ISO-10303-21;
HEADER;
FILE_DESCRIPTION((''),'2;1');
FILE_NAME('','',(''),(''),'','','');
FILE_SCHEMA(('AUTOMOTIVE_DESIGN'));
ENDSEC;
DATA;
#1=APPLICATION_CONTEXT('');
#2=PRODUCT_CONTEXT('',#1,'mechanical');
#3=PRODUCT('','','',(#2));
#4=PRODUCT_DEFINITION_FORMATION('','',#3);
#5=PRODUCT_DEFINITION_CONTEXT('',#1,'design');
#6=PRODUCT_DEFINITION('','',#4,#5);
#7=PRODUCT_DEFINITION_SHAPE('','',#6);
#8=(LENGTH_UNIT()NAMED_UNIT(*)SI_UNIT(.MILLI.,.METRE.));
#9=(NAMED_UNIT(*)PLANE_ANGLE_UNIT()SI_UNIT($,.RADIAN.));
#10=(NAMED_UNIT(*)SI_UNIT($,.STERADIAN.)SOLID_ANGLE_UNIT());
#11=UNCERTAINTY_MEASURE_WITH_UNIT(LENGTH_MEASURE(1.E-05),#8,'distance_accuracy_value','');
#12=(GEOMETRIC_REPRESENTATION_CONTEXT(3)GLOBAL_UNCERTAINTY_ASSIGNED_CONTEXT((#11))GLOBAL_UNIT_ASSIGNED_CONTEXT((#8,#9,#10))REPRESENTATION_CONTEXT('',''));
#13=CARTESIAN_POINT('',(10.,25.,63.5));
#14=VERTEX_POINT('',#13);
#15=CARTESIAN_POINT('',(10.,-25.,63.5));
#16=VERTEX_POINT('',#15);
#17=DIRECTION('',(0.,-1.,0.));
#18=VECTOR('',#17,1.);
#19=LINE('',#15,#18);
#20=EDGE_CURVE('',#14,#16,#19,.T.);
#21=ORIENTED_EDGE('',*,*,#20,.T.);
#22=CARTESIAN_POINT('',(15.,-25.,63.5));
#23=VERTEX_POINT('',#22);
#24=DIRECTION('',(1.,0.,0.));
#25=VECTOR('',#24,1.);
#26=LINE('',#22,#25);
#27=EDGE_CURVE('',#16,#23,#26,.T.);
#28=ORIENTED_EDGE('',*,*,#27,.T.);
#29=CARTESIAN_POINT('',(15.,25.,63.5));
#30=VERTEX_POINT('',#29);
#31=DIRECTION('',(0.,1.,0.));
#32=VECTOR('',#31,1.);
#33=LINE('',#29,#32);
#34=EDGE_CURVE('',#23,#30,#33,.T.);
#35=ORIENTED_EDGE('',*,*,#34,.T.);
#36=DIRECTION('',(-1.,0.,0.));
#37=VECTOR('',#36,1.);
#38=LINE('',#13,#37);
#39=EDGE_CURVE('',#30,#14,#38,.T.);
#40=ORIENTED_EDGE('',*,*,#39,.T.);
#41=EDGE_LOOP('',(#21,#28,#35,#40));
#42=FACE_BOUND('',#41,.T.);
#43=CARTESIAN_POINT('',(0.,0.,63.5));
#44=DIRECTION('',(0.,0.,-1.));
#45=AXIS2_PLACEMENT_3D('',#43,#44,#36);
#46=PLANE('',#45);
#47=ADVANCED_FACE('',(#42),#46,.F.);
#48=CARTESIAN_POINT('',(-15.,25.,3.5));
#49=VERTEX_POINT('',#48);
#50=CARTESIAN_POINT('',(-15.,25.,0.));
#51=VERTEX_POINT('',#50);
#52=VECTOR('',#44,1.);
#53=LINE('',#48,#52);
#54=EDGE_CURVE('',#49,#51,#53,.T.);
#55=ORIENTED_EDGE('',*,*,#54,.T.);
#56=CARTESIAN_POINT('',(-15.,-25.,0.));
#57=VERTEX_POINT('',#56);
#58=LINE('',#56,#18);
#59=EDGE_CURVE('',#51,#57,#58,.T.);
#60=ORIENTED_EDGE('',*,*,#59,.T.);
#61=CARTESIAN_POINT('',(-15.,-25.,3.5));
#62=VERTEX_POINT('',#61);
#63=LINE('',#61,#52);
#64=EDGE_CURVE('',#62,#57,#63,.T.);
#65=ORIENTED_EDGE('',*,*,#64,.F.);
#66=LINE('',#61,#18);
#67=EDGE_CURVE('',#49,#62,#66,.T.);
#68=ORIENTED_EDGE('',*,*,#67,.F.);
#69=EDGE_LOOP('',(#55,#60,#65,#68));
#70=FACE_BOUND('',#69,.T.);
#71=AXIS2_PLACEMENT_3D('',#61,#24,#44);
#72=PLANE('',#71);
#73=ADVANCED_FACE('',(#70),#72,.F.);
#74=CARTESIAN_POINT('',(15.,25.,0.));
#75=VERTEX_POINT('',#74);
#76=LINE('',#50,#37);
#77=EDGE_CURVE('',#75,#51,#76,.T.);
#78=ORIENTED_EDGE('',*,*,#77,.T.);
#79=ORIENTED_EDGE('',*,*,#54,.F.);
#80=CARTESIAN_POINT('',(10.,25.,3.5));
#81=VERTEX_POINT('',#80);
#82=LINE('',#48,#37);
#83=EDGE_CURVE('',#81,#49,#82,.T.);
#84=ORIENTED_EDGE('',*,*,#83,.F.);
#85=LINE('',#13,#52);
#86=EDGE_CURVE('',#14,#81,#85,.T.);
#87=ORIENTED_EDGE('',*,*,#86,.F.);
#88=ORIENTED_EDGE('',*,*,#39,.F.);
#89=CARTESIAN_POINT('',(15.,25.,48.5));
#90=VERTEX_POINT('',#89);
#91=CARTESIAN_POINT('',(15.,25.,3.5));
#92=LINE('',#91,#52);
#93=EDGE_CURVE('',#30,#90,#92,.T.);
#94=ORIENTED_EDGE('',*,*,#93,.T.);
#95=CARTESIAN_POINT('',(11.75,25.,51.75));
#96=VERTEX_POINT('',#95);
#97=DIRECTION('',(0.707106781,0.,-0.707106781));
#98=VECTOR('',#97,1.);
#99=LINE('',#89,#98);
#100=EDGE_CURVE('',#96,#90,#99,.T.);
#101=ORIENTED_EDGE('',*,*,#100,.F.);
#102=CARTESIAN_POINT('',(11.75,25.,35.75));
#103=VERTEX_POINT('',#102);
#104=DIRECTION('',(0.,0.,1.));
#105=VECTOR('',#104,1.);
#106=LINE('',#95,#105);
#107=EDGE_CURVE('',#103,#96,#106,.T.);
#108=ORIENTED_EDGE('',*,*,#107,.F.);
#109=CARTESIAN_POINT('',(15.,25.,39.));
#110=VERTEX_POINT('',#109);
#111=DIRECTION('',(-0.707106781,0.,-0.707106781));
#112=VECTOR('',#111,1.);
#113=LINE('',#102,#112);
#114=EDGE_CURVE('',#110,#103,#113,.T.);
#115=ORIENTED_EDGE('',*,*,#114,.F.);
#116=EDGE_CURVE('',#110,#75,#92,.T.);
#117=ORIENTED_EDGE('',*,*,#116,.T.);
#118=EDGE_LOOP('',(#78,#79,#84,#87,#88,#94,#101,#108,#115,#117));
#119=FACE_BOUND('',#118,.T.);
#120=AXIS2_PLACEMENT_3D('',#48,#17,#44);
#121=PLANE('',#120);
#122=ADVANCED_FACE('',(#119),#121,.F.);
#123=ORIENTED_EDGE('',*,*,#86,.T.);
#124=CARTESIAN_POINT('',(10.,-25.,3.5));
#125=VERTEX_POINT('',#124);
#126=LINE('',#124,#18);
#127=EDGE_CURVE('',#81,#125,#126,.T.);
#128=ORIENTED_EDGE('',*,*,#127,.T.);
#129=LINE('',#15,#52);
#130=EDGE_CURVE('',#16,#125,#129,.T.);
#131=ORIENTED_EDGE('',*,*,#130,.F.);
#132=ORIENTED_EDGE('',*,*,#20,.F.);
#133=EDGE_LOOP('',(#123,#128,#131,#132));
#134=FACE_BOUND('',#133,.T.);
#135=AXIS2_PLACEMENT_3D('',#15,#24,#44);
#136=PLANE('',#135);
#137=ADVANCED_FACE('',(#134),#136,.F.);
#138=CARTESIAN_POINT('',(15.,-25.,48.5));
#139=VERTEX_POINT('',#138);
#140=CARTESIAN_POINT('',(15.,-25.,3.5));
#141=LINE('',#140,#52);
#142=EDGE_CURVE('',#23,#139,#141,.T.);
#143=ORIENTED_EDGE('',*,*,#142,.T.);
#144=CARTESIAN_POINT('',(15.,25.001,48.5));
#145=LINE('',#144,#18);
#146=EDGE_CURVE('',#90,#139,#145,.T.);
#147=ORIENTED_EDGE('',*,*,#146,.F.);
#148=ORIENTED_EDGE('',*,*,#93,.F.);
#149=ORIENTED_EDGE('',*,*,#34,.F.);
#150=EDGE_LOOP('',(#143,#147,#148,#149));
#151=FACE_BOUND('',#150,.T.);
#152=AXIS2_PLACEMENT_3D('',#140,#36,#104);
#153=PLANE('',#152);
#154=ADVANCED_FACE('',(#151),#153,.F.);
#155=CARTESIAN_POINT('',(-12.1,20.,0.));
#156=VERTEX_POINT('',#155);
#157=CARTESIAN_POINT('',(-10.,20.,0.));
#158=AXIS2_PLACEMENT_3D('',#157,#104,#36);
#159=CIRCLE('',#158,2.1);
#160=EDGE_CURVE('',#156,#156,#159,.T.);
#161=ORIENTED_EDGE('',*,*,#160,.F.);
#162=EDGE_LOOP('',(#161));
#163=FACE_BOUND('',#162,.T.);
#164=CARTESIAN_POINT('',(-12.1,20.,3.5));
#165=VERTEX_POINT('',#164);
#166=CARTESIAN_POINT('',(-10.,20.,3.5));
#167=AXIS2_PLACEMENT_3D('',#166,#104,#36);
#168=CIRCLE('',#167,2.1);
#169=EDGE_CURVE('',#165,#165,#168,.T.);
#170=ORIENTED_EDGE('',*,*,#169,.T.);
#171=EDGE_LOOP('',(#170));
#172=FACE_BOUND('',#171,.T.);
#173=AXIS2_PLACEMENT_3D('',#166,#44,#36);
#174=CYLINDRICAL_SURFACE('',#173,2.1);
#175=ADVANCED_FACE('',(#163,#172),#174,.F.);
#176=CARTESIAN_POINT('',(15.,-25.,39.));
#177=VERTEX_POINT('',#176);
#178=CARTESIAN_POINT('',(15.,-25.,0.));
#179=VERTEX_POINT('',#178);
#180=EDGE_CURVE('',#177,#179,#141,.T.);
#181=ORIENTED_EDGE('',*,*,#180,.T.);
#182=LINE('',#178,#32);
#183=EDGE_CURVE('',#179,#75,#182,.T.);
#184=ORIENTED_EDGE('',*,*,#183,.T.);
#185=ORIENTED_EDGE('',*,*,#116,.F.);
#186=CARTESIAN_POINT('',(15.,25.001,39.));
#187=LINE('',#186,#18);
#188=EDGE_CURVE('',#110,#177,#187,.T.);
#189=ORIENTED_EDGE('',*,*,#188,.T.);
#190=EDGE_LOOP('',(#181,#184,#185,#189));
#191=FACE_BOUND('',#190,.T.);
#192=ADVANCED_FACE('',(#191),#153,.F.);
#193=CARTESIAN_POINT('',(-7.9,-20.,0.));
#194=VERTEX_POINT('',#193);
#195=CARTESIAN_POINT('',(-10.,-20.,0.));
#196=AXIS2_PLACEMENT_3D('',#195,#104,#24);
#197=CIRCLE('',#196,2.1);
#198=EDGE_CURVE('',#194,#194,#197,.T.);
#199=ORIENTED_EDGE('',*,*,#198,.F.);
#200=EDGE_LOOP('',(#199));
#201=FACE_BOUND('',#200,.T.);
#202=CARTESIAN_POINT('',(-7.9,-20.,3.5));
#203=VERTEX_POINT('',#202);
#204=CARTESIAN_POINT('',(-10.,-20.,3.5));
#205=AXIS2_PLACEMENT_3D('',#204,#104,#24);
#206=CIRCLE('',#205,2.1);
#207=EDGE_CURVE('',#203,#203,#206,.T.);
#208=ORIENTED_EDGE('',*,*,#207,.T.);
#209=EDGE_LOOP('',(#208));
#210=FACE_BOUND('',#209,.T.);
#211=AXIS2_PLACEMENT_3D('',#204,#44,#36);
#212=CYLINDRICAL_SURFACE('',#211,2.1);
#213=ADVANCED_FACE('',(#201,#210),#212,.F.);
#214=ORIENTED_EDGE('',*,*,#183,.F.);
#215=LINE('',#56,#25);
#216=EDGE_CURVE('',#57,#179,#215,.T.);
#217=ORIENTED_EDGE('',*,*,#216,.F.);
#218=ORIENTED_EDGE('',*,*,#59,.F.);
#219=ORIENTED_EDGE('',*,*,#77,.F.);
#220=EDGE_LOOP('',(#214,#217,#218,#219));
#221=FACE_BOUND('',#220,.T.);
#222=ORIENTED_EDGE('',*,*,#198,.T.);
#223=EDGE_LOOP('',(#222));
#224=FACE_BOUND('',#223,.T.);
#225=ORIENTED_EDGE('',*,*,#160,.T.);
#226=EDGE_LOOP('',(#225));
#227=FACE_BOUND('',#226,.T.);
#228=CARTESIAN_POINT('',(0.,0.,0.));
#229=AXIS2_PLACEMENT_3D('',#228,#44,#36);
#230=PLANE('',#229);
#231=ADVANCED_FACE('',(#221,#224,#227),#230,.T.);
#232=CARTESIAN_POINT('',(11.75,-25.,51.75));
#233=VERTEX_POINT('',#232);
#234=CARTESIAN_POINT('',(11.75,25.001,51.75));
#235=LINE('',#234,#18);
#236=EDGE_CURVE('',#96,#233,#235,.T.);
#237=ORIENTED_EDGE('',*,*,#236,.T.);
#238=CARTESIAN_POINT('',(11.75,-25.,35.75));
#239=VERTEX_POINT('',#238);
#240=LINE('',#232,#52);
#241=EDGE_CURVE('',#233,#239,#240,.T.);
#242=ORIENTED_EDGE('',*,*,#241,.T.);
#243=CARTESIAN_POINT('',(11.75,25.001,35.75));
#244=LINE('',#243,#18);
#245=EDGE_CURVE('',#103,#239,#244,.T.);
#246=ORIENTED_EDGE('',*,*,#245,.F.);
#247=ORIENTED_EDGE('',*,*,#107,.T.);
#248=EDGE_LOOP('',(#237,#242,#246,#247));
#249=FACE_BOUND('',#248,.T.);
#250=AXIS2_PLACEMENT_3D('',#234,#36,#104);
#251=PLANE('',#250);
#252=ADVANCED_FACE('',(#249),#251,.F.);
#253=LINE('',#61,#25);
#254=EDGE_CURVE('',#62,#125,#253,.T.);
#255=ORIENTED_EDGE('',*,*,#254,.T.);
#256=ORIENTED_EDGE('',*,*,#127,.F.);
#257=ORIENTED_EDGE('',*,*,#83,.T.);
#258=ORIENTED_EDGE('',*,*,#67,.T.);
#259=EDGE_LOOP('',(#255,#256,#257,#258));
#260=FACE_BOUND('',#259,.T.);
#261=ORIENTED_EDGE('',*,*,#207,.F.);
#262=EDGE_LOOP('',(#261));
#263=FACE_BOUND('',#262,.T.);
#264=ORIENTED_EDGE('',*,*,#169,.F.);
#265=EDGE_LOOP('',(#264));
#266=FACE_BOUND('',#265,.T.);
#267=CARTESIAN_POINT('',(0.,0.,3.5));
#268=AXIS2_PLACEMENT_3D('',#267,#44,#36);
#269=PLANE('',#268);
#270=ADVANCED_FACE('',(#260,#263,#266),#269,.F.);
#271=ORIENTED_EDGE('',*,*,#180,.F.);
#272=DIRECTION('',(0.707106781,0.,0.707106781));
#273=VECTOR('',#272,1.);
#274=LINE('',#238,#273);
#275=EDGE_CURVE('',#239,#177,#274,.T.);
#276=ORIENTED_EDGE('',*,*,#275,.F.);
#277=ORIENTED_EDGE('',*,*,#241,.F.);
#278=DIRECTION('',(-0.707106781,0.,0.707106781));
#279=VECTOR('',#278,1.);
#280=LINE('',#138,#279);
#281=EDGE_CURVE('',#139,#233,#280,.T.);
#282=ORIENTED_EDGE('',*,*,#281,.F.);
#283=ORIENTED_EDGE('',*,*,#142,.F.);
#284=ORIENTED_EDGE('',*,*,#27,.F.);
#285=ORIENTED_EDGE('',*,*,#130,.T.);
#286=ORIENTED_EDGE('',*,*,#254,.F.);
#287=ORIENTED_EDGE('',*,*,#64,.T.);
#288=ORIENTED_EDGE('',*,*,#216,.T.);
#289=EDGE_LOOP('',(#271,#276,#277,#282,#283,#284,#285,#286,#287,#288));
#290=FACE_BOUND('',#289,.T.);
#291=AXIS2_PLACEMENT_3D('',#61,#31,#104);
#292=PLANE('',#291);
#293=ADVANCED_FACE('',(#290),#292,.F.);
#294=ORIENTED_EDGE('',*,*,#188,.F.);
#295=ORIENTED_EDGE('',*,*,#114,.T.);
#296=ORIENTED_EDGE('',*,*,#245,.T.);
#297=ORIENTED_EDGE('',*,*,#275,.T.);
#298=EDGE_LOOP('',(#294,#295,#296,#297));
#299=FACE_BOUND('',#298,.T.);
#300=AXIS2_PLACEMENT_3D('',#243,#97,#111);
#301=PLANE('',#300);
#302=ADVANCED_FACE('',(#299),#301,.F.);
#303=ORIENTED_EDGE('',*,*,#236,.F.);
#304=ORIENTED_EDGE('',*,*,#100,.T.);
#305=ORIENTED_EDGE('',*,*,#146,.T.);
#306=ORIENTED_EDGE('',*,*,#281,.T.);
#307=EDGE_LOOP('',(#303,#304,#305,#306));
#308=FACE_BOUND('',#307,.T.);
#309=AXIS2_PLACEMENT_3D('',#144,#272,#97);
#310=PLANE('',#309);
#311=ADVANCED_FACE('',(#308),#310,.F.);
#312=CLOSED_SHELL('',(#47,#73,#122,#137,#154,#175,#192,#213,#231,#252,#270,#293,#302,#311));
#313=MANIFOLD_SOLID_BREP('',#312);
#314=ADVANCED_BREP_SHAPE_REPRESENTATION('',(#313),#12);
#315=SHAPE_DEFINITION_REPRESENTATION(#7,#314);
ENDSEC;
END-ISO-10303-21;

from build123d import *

# Parameters (mm, degrees)
SKETCH_2_W          = 30
SKETCH_2_H          = 50
SKETCH_2_R          = 2.1
EXTRUDE_1_DEPTH     = 3.5
SKETCH_3_W          = 5
SKETCH_3_H          = 50
EXTRUDE_2_DEPTH     = 60
CUT_EXTRUDE_1_REACH = 84.202


with BuildPart() as part:
    # 草图2 → 凸台-拉伸1 (new body)
    with BuildSketch(Plane.XY):
        Rectangle(SKETCH_2_W, SKETCH_2_H)
        with Locations((-10, -20)):
            Circle(SKETCH_2_R, mode=Mode.SUBTRACT)
        with Locations(Location((-10, 20, 0), (0, 0, 180))):
            Circle(SKETCH_2_R, mode=Mode.SUBTRACT)
    extrude(amount=EXTRUDE_1_DEPTH)

    # 草图3 → 凸台-拉伸2 (add)
    with BuildSketch(Plane.XY.offset(3.5)):
        with Locations((12.5, 0)):
            Rectangle(SKETCH_3_W, SKETCH_3_H)
    extrude(amount=EXTRUDE_2_DEPTH)

    # 草图6 → 切除-拉伸1 (cut, up to next)
    with BuildSketch(Plane.XZ.offset(25), mode=Mode.PRIVATE) as cut_extrude_1_sk1:
        Polygon((15, 48.5), (11.75, 51.75), (11.75, 35.75), (15, 39), align=None)
    cut_extrude_1_tool1 = extrude(cut_extrude_1_sk1.sketch, amount=-CUT_EXTRUDE_1_REACH, mode=Mode.PRIVATE) & part.part
    add(cut_extrude_1_tool1.solids().sort_by_distance((13.236928, -25, 43.75))[0], mode=Mode.SUBTRACT)


solid = part.part
